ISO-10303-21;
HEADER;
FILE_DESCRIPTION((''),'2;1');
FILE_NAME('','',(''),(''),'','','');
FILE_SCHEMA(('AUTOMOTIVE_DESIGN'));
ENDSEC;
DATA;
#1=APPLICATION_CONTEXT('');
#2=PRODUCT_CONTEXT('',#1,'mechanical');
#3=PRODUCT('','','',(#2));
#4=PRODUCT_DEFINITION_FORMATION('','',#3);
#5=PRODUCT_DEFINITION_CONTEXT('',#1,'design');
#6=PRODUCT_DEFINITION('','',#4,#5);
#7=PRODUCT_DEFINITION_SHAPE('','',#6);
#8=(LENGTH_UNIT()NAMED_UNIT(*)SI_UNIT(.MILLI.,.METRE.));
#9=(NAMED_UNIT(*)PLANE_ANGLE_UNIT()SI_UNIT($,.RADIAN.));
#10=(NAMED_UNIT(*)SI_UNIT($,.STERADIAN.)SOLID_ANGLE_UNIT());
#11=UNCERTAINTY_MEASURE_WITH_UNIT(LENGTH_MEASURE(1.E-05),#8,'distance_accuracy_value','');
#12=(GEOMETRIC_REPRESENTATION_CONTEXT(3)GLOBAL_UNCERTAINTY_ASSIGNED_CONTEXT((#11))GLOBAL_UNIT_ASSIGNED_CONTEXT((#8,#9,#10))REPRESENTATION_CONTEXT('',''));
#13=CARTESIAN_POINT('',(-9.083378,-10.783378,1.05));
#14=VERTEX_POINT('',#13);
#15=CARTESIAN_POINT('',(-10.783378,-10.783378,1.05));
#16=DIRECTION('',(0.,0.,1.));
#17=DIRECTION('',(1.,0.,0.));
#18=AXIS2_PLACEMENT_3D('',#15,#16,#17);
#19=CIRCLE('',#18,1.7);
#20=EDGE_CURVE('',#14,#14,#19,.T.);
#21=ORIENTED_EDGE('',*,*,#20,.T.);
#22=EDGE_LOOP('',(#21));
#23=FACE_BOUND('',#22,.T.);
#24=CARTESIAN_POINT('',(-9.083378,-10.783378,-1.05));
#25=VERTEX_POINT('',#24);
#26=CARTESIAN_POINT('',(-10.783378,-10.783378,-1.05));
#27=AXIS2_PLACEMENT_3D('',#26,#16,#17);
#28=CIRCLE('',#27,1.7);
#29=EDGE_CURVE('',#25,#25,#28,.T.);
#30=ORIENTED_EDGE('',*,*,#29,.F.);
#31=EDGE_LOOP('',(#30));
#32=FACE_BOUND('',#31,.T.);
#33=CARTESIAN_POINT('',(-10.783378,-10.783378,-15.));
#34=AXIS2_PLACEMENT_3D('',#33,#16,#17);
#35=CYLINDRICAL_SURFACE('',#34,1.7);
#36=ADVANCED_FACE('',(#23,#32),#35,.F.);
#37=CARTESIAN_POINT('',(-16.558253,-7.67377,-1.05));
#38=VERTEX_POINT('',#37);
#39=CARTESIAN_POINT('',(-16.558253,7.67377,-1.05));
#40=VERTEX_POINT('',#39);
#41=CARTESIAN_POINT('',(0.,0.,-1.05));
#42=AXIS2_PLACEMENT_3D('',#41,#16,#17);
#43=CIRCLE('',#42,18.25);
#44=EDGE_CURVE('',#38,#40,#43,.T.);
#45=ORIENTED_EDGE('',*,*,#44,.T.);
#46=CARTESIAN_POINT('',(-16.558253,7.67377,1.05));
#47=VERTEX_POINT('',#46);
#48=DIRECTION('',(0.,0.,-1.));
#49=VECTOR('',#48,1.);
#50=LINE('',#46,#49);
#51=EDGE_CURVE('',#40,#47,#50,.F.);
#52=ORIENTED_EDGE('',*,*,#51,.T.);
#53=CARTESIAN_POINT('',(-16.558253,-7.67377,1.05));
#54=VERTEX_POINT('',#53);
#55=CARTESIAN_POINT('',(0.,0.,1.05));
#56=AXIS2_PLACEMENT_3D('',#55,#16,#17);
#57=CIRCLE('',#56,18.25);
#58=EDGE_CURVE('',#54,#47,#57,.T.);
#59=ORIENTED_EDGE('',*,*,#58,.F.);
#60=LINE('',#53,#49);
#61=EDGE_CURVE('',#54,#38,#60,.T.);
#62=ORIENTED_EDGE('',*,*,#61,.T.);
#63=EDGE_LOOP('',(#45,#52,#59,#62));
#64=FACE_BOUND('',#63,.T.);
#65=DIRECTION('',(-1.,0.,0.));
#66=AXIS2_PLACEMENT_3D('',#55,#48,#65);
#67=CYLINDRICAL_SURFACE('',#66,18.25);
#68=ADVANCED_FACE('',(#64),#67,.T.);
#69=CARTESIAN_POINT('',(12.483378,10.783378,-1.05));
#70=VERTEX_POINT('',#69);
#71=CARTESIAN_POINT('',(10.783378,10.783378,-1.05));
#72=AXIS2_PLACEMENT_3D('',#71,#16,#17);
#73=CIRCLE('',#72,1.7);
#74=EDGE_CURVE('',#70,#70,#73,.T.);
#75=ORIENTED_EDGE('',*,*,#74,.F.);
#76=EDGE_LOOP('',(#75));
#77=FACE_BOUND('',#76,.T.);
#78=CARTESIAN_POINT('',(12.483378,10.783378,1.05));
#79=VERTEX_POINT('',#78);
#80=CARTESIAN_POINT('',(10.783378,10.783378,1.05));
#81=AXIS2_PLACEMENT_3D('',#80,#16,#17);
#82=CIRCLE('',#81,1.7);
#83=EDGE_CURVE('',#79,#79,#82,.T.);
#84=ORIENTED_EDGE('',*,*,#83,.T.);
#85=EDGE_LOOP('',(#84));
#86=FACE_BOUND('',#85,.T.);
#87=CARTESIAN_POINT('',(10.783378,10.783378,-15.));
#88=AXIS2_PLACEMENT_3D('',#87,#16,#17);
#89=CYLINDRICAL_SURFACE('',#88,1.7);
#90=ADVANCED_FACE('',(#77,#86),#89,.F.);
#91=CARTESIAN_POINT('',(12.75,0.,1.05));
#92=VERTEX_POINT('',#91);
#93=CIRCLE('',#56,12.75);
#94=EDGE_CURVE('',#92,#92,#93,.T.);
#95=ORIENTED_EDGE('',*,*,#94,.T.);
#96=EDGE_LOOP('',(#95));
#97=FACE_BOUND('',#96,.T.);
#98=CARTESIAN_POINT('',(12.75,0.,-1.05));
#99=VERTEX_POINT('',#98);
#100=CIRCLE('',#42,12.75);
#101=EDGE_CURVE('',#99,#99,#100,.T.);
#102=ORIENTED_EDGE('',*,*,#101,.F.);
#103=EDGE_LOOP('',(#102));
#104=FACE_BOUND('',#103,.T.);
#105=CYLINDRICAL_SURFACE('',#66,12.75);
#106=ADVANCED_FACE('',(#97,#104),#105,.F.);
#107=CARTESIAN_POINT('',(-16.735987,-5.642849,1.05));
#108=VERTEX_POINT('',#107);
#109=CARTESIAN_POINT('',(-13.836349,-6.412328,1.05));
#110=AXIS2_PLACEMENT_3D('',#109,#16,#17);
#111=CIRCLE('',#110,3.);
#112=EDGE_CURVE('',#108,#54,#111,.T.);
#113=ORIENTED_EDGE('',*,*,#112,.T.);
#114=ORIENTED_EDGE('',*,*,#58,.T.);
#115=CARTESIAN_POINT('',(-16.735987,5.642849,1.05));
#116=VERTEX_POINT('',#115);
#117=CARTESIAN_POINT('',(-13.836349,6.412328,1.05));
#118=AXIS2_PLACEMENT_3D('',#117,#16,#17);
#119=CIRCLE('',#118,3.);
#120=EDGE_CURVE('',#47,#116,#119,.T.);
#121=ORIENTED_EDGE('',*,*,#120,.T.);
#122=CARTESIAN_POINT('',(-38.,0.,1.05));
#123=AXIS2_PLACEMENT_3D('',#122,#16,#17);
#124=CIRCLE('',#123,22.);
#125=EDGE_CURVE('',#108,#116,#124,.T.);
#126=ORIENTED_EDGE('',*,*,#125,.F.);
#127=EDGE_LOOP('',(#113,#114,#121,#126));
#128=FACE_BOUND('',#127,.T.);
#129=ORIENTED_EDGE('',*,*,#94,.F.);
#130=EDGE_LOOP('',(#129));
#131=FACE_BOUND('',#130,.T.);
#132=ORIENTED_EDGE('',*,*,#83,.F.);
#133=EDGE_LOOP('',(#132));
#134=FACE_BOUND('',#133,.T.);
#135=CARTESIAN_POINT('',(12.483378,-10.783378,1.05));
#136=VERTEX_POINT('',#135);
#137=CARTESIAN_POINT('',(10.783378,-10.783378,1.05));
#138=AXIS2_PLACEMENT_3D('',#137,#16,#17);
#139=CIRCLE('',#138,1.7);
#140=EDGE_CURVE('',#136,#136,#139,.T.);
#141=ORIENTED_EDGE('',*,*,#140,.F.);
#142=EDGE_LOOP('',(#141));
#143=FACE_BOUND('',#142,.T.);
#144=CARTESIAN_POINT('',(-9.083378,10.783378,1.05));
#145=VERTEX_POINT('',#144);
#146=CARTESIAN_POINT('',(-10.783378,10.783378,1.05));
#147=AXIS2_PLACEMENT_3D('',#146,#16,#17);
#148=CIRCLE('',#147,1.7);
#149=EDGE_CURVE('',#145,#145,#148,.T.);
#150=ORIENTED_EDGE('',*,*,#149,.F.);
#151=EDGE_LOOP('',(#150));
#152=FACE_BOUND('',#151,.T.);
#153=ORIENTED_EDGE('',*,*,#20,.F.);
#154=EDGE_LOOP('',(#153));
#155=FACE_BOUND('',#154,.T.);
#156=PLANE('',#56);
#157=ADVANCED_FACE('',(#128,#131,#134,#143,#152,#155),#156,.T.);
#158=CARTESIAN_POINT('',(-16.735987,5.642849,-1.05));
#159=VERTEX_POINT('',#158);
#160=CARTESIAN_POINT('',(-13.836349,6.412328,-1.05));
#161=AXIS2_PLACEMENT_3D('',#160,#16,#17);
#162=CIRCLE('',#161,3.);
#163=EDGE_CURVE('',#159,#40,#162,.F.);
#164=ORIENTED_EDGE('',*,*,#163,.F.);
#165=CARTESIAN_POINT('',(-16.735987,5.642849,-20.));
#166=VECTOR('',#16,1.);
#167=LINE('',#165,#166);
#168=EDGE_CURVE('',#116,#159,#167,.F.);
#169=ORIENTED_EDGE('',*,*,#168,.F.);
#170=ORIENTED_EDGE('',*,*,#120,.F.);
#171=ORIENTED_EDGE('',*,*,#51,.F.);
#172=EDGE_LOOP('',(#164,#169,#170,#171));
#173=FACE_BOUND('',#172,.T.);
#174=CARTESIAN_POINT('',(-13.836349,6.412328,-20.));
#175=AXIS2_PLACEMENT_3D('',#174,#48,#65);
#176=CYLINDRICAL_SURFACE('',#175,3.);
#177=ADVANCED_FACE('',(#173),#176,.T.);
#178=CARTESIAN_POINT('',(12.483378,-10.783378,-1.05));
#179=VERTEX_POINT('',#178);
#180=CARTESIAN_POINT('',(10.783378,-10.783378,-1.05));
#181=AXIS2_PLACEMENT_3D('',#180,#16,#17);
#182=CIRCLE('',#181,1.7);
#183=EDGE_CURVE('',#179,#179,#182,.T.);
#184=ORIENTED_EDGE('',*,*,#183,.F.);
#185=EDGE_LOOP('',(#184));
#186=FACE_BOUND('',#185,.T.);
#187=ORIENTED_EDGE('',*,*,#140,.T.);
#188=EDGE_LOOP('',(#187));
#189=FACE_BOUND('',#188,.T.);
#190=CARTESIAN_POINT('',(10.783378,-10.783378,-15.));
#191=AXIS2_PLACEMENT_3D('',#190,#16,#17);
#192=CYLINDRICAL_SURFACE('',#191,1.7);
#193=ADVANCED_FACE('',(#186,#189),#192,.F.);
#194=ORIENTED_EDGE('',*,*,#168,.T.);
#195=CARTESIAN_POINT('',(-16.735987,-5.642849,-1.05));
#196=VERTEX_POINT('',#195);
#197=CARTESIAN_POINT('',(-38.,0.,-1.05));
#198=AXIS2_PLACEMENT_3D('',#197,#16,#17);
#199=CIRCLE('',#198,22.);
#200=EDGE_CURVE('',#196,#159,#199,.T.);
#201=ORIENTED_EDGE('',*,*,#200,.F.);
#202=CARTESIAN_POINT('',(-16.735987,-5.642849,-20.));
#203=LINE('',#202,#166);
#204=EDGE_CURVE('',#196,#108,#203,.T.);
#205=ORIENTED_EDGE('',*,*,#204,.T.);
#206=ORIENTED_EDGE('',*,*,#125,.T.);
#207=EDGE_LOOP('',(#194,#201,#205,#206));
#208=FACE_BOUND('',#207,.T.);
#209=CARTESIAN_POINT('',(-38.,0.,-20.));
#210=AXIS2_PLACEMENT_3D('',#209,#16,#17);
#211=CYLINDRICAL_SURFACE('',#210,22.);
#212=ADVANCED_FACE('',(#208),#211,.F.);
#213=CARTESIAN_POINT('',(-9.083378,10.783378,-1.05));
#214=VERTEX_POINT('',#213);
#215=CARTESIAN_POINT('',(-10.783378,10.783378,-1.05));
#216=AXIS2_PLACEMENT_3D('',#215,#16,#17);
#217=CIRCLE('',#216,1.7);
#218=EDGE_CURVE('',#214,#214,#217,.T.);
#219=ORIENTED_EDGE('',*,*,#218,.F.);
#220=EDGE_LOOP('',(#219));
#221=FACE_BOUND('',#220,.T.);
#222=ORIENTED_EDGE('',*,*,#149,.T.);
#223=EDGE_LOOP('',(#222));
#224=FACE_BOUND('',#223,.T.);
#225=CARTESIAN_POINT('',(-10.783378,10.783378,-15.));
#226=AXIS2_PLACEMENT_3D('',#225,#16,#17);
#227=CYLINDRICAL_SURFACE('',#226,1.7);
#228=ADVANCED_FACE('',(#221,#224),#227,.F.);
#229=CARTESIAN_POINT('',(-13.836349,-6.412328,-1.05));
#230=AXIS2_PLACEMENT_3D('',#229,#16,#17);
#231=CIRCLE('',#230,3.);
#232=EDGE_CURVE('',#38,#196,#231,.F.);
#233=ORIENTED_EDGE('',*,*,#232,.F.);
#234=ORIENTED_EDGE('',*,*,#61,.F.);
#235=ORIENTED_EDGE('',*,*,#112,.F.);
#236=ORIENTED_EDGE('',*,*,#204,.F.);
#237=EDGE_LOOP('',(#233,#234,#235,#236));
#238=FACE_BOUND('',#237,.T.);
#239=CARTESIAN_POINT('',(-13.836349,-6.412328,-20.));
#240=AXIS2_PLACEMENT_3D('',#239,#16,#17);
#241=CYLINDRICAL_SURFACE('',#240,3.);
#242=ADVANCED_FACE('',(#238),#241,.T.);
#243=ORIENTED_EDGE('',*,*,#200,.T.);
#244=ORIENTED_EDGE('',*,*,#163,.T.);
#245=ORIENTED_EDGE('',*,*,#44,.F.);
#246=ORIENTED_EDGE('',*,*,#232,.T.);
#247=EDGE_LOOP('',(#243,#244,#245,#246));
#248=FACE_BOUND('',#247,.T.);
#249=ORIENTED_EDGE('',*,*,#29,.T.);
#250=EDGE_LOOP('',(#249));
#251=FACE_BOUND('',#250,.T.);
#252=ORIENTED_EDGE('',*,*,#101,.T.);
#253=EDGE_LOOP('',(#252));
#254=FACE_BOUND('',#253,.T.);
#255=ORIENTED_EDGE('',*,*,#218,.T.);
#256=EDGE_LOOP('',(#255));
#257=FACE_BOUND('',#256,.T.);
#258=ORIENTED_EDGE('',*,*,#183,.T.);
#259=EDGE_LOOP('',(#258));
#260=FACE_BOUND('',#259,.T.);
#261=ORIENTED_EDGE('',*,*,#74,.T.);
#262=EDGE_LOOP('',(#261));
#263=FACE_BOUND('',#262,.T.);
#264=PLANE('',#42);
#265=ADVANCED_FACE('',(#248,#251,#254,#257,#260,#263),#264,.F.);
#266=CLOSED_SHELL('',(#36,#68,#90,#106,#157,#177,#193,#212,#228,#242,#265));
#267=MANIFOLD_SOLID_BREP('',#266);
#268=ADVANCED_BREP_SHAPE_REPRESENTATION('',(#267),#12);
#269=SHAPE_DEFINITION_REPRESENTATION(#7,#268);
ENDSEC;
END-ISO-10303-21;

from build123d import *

# Parameters (mm, degrees)
SKETCH_1_R          = 18.25
SKETCH_1_R_2        = 12.75
EXTRUDE_1_DEPTH     = 1.05
SKETCH_2_R          = 22
CUT_EXTRUDE_1_DEPTH = 21.05
SKETCH_3_R          = 1.7
CUT_EXTRUDE_2_DEPTH = 16.05
FILLET_1_R          = 3


with BuildPart() as part:
    # 草图1 → 凸台-拉伸1 (new, symmetric)
    with BuildSketch(Plane.XY):
        Circle(SKETCH_1_R)
        Circle(SKETCH_1_R_2, mode=Mode.SUBTRACT)
    extrude(amount=EXTRUDE_1_DEPTH, both=True)

    # 草图2 → 切除-拉伸1 (cut, symmetric)
    with BuildSketch(Plane.XY.offset(1.05)):
        with Locations((-38, 0)):
            Circle(SKETCH_2_R)
    extrude(amount=CUT_EXTRUDE_1_DEPTH, both=True, mode=Mode.SUBTRACT)

    # 草图3 → 切除-拉伸2 (cut, symmetric)
    with BuildSketch(Plane.XY.offset(1.05)):
        with Locations((10.783378413, 10.783378413)):
            Circle(SKETCH_3_R)
        with Locations((10.783378413, -10.783378413)):
            Circle(SKETCH_3_R)
        with Locations((-10.783378413, -10.783378413)):
            Circle(SKETCH_3_R)
        with Locations((-10.783378413, 10.783378413)):
            Circle(SKETCH_3_R)
    extrude(amount=CUT_EXTRUDE_2_DEPTH, both=True, mode=Mode.SUBTRACT)

    # 圆角1
    fillet_1_edges = [part.edges().sort_by_distance(p)[0] for p in [
        (-17.013980263, -6.60204329, 0),
        (-17.013980263, 6.60204329, 0),
    ]]
    fillet(fillet_1_edges, radius=FILLET_1_R)


solid = part.part
